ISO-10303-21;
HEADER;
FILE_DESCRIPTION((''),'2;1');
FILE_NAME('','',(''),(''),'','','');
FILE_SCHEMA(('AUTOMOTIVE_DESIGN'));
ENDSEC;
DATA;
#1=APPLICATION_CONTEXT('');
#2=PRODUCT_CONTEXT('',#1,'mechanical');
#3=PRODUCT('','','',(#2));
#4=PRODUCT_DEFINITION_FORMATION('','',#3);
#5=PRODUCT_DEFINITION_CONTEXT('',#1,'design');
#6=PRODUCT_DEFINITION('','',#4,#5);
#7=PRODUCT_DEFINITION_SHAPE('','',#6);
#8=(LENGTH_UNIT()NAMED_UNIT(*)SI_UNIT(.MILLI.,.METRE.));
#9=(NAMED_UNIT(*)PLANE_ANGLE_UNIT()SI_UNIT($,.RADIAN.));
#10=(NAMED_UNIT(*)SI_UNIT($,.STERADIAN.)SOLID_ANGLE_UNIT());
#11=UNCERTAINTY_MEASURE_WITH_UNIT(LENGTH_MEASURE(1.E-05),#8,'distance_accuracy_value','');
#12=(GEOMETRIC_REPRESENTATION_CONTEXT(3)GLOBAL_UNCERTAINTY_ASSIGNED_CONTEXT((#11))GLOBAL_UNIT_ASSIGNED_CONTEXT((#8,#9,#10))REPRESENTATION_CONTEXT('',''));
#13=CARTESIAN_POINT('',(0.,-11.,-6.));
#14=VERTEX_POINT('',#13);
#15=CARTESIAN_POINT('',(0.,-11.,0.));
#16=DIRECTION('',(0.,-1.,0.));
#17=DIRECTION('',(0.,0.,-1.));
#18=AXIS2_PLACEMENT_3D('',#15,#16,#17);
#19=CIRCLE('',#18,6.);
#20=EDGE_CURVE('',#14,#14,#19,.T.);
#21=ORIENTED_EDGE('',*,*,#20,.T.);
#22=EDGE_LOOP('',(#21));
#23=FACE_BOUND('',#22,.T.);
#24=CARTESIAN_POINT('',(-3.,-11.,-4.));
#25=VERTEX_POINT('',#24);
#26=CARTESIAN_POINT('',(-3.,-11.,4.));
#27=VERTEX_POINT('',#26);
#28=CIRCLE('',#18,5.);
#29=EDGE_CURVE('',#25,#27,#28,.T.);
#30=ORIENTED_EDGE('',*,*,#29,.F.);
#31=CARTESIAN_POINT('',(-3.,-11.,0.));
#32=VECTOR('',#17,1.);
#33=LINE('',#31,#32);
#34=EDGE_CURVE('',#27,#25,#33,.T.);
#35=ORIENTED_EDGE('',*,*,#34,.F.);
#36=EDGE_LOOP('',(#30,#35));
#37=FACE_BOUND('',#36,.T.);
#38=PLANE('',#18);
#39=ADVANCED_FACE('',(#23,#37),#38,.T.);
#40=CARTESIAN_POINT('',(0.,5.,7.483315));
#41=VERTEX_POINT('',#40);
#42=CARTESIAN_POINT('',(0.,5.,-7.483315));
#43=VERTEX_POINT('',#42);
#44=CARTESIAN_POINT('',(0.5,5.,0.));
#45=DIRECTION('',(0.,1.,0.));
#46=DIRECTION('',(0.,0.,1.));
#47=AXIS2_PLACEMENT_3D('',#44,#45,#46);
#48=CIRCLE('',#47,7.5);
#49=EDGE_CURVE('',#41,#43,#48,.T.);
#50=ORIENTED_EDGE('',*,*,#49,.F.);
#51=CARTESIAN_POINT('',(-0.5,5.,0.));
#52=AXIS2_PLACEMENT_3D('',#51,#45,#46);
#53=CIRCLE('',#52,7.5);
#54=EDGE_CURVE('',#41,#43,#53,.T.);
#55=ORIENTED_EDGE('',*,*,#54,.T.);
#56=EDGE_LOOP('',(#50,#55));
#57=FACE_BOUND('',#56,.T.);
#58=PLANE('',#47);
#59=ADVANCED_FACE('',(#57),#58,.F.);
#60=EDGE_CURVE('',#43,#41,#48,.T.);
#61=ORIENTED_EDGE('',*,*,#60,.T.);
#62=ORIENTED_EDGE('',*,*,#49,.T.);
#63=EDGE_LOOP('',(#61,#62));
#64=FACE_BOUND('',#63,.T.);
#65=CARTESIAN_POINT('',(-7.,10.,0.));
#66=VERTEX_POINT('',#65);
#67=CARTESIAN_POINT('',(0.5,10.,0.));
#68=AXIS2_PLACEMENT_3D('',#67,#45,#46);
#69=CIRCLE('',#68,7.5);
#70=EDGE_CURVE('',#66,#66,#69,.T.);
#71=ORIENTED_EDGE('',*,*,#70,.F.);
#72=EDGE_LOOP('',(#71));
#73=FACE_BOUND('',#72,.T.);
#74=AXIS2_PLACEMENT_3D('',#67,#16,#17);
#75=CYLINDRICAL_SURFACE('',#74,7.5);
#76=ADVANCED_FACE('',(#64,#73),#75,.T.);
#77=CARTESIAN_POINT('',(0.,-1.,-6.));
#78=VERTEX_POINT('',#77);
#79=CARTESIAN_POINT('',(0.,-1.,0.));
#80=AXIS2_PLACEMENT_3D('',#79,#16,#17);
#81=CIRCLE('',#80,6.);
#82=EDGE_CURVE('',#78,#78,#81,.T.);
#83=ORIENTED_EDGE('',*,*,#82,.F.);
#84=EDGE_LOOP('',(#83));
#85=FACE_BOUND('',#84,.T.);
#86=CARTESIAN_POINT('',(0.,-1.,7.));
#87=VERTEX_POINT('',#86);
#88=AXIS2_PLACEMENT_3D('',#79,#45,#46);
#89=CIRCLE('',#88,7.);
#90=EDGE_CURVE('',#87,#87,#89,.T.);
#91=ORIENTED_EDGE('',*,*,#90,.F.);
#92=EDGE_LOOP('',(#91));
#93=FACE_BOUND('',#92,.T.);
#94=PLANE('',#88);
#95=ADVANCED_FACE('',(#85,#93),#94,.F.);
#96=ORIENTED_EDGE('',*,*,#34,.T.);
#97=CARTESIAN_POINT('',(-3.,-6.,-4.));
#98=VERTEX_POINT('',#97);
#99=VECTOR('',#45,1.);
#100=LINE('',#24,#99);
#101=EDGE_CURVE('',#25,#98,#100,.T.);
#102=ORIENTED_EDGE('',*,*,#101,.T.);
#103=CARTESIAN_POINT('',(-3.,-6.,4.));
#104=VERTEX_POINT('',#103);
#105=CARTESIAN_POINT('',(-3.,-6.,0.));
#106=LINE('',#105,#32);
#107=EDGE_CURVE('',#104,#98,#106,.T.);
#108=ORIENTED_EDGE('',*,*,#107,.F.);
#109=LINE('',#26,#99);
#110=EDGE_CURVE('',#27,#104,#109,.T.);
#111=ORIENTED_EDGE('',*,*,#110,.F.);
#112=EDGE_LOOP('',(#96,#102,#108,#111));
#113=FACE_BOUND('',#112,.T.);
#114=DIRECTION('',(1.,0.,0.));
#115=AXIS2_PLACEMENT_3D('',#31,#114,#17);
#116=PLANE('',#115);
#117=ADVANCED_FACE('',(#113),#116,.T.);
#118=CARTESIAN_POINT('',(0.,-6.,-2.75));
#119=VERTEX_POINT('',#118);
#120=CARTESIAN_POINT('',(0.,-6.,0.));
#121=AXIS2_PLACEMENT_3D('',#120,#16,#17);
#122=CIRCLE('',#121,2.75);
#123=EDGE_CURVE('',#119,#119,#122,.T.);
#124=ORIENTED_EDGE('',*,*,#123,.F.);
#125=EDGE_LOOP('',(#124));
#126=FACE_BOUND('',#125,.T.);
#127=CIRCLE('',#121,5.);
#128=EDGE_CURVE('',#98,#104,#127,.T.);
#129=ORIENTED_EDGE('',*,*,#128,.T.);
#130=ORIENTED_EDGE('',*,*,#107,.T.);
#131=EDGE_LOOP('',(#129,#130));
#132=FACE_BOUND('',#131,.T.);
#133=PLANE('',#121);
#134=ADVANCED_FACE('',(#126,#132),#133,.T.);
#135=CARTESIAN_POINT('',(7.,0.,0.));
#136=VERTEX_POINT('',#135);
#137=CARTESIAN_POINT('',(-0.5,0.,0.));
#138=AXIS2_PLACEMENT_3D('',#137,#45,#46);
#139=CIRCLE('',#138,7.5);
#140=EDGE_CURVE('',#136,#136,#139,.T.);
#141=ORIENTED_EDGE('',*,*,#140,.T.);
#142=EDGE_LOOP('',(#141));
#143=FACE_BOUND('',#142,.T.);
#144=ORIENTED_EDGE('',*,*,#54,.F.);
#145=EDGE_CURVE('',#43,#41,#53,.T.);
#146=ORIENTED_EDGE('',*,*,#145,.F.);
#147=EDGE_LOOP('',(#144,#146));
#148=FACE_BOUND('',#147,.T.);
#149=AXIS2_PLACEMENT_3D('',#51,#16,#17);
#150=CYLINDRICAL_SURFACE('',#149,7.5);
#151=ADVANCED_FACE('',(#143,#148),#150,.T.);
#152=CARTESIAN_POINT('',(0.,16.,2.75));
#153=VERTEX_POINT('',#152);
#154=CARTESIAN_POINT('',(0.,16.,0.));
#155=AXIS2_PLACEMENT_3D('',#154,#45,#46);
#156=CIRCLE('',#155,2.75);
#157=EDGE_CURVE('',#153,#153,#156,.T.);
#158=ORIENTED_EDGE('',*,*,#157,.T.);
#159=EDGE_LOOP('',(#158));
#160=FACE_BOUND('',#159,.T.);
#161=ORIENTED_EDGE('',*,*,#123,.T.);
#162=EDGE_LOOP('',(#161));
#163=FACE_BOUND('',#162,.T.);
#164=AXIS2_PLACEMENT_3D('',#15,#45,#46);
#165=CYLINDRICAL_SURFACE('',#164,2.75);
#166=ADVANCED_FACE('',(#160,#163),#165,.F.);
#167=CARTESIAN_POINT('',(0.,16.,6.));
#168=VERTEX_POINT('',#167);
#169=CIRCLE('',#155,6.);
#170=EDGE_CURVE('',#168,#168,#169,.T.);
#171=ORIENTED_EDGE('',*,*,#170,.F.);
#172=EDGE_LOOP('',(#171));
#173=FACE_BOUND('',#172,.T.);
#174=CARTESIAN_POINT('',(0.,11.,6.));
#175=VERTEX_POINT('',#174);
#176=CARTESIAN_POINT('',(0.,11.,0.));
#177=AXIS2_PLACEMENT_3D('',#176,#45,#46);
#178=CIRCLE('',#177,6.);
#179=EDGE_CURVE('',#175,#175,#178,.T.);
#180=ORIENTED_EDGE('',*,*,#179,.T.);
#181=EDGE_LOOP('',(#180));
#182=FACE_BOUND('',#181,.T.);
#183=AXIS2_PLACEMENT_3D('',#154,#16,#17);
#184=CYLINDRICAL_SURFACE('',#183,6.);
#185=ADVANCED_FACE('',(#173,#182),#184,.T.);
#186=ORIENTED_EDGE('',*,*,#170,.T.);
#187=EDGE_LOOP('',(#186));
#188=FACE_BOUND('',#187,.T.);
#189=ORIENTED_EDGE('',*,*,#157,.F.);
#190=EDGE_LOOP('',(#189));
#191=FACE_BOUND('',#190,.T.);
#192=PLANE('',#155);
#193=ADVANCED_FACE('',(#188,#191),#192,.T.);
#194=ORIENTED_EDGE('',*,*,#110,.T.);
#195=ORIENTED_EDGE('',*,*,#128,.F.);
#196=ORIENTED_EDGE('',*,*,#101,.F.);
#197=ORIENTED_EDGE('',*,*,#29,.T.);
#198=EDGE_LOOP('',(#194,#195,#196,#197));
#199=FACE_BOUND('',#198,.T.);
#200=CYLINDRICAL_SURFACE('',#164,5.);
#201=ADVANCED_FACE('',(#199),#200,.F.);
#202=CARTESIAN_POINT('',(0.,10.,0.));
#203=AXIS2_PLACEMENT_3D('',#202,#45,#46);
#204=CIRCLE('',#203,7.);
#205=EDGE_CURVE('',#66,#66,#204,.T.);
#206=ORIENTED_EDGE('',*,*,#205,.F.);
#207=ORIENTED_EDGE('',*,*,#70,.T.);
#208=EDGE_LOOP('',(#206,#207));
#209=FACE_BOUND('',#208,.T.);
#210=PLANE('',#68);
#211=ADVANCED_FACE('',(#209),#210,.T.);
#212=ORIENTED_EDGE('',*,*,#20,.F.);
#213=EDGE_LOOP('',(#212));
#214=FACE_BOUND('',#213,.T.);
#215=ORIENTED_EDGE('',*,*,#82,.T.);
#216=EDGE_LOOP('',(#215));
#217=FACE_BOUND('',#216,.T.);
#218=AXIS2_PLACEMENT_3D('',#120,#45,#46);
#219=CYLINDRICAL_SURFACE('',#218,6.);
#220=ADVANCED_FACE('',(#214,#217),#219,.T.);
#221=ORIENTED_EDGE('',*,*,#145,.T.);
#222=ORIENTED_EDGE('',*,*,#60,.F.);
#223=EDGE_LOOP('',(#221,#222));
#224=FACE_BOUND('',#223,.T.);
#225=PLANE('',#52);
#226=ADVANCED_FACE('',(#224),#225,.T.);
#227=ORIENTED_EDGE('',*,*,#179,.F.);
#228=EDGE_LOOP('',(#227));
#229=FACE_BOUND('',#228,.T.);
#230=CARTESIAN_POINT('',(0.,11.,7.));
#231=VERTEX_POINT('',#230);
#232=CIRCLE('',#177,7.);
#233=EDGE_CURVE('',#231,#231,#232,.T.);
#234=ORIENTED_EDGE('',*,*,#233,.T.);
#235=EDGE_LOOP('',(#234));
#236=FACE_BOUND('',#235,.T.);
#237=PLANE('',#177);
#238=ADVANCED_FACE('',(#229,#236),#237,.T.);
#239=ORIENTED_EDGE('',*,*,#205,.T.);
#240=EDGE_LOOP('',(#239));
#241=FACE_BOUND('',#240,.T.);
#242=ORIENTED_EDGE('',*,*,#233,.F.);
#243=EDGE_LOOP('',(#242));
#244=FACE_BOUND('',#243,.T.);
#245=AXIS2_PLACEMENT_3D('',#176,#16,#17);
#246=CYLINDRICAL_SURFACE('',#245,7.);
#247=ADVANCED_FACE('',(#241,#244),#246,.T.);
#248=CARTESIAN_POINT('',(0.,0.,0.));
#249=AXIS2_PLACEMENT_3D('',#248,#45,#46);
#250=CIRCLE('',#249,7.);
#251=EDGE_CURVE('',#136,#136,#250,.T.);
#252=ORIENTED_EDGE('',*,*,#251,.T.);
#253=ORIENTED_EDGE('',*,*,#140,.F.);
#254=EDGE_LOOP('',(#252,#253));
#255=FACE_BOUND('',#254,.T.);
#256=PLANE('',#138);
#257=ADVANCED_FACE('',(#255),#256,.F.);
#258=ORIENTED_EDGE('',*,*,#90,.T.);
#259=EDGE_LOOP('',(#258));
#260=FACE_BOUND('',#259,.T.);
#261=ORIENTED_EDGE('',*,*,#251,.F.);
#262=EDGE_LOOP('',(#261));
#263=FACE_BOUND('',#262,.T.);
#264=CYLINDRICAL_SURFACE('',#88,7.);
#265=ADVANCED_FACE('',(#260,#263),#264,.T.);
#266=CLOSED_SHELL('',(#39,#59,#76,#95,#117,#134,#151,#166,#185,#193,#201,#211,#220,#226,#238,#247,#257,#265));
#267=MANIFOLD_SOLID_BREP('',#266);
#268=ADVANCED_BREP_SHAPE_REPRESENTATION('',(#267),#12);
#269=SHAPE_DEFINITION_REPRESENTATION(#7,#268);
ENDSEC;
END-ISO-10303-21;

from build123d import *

# Parameters (mm, degrees)
SKETCH1_R           = 7.5
DISK1_DEPTH         = 5
SKETCH2_R           = 7.5
DISK2_DEPTH         = 5
SKETCH3_R           = 7
TAP_GAP_DEPTH       = 1
SKETCH4_R           = 6
TOP_BEARING_DEPTH   = 5
SHAFTMOUNT_R        = 7
GAP_DEPTH           = 1
SKETCH8_R           = 6
BEARING_DEPTH       = 5
SKETCH9_R           = 6
SKETCH9_R_2         = 5
BOSS_EXTRUDE2_DEPTH = 5
SKETCH7_R           = 2.75
HOLECUT_DEPTH       = 20.397164741
HOLECUT_DEPTH_BACK  = 20.397164741


with BuildPart() as part:
    # Sketch1 → disk1 (new body)
    with BuildSketch(Plane(origin=(0, 0, 0), x_dir=(1, 0, 0), z_dir=(0, 1, 0))):
        with Locations(Location((-0.5, 0, 0), (0, 0, 270))):
            Circle(SKETCH1_R)
    extrude(amount=DISK1_DEPTH)

    # Sketch2 → disk2 (add)
    with BuildSketch(Plane(origin=(0, 5, 0), x_dir=(1, 0, 0), z_dir=(0, 1, 0))):
        with Locations(Location((0.5, 0, 0), (0, 0, 93.822553729))):
            Circle(SKETCH2_R)
    extrude(amount=DISK2_DEPTH)

    # Sketch3 → tap-gap (add)
    with BuildSketch(Plane(origin=(0, 10, 0), x_dir=(1, 0, 0), z_dir=(0, 1, 0))):
        with Locations(Location((0, 0, 0), (0, 0, 180))):
            Circle(SKETCH3_R)
    extrude(amount=TAP_GAP_DEPTH)

    # Sketch4 → top-bearing (add)
    with BuildSketch(Plane(origin=(0, 11, 0), x_dir=(1, 0, 0), z_dir=(0, 1, 0))):
        with Locations(Location((0, 0, 0), (0, 0, 270))):
            Circle(SKETCH4_R)
    extrude(amount=TOP_BEARING_DEPTH)

    # shaftmount → gap (add)
    with BuildSketch(Plane(origin=(0, 0, 0), x_dir=(1, 0, 0), z_dir=(0, 1, 0))):
        with Locations(Location((0, 0, 0), (0, 0, 180))):
            Circle(SHAFTMOUNT_R)
    extrude(amount=-GAP_DEPTH)

    # Sketch8 → bearing (add)
    with BuildSketch(Plane.XZ.offset(1)):
        with Locations(Location((0, 0, 0), (0, 0, 90))):
            Circle(SKETCH8_R)
    extrude(amount=BEARING_DEPTH)

    # Sketch9 → Boss-Extrude2 (add)
    with BuildSketch(Plane.XZ.offset(6)):
        with Locations(Location((0, 0, 0), (0, 0, 90))):
            Circle(SKETCH9_R)
        Circle(SKETCH9_R_2, mode=Mode.SUBTRACT)
        with BuildLine():
            Line((-3, -4), (-3, 4))
            ThreePointArc((-3, 4), (-5, 0), (-3, -4))
        make_face()
    extrude(amount=BOSS_EXTRUDE2_DEPTH)

    # Sketch7 → holeCut (cut, two sides)
    with BuildSketch(Plane(origin=(0, 0, 0), x_dir=(1, 0, 0), z_dir=(0, 1, 0))) as holecut_sk:
        with Locations(Location((0, 0, 0), (0, 0, 270))):
            Circle(SKETCH7_R)
    extrude(amount=HOLECUT_DEPTH, mode=Mode.SUBTRACT)
    extrude(holecut_sk.sketch, amount=-HOLECUT_DEPTH_BACK, mode=Mode.SUBTRACT)


solid = part.part
